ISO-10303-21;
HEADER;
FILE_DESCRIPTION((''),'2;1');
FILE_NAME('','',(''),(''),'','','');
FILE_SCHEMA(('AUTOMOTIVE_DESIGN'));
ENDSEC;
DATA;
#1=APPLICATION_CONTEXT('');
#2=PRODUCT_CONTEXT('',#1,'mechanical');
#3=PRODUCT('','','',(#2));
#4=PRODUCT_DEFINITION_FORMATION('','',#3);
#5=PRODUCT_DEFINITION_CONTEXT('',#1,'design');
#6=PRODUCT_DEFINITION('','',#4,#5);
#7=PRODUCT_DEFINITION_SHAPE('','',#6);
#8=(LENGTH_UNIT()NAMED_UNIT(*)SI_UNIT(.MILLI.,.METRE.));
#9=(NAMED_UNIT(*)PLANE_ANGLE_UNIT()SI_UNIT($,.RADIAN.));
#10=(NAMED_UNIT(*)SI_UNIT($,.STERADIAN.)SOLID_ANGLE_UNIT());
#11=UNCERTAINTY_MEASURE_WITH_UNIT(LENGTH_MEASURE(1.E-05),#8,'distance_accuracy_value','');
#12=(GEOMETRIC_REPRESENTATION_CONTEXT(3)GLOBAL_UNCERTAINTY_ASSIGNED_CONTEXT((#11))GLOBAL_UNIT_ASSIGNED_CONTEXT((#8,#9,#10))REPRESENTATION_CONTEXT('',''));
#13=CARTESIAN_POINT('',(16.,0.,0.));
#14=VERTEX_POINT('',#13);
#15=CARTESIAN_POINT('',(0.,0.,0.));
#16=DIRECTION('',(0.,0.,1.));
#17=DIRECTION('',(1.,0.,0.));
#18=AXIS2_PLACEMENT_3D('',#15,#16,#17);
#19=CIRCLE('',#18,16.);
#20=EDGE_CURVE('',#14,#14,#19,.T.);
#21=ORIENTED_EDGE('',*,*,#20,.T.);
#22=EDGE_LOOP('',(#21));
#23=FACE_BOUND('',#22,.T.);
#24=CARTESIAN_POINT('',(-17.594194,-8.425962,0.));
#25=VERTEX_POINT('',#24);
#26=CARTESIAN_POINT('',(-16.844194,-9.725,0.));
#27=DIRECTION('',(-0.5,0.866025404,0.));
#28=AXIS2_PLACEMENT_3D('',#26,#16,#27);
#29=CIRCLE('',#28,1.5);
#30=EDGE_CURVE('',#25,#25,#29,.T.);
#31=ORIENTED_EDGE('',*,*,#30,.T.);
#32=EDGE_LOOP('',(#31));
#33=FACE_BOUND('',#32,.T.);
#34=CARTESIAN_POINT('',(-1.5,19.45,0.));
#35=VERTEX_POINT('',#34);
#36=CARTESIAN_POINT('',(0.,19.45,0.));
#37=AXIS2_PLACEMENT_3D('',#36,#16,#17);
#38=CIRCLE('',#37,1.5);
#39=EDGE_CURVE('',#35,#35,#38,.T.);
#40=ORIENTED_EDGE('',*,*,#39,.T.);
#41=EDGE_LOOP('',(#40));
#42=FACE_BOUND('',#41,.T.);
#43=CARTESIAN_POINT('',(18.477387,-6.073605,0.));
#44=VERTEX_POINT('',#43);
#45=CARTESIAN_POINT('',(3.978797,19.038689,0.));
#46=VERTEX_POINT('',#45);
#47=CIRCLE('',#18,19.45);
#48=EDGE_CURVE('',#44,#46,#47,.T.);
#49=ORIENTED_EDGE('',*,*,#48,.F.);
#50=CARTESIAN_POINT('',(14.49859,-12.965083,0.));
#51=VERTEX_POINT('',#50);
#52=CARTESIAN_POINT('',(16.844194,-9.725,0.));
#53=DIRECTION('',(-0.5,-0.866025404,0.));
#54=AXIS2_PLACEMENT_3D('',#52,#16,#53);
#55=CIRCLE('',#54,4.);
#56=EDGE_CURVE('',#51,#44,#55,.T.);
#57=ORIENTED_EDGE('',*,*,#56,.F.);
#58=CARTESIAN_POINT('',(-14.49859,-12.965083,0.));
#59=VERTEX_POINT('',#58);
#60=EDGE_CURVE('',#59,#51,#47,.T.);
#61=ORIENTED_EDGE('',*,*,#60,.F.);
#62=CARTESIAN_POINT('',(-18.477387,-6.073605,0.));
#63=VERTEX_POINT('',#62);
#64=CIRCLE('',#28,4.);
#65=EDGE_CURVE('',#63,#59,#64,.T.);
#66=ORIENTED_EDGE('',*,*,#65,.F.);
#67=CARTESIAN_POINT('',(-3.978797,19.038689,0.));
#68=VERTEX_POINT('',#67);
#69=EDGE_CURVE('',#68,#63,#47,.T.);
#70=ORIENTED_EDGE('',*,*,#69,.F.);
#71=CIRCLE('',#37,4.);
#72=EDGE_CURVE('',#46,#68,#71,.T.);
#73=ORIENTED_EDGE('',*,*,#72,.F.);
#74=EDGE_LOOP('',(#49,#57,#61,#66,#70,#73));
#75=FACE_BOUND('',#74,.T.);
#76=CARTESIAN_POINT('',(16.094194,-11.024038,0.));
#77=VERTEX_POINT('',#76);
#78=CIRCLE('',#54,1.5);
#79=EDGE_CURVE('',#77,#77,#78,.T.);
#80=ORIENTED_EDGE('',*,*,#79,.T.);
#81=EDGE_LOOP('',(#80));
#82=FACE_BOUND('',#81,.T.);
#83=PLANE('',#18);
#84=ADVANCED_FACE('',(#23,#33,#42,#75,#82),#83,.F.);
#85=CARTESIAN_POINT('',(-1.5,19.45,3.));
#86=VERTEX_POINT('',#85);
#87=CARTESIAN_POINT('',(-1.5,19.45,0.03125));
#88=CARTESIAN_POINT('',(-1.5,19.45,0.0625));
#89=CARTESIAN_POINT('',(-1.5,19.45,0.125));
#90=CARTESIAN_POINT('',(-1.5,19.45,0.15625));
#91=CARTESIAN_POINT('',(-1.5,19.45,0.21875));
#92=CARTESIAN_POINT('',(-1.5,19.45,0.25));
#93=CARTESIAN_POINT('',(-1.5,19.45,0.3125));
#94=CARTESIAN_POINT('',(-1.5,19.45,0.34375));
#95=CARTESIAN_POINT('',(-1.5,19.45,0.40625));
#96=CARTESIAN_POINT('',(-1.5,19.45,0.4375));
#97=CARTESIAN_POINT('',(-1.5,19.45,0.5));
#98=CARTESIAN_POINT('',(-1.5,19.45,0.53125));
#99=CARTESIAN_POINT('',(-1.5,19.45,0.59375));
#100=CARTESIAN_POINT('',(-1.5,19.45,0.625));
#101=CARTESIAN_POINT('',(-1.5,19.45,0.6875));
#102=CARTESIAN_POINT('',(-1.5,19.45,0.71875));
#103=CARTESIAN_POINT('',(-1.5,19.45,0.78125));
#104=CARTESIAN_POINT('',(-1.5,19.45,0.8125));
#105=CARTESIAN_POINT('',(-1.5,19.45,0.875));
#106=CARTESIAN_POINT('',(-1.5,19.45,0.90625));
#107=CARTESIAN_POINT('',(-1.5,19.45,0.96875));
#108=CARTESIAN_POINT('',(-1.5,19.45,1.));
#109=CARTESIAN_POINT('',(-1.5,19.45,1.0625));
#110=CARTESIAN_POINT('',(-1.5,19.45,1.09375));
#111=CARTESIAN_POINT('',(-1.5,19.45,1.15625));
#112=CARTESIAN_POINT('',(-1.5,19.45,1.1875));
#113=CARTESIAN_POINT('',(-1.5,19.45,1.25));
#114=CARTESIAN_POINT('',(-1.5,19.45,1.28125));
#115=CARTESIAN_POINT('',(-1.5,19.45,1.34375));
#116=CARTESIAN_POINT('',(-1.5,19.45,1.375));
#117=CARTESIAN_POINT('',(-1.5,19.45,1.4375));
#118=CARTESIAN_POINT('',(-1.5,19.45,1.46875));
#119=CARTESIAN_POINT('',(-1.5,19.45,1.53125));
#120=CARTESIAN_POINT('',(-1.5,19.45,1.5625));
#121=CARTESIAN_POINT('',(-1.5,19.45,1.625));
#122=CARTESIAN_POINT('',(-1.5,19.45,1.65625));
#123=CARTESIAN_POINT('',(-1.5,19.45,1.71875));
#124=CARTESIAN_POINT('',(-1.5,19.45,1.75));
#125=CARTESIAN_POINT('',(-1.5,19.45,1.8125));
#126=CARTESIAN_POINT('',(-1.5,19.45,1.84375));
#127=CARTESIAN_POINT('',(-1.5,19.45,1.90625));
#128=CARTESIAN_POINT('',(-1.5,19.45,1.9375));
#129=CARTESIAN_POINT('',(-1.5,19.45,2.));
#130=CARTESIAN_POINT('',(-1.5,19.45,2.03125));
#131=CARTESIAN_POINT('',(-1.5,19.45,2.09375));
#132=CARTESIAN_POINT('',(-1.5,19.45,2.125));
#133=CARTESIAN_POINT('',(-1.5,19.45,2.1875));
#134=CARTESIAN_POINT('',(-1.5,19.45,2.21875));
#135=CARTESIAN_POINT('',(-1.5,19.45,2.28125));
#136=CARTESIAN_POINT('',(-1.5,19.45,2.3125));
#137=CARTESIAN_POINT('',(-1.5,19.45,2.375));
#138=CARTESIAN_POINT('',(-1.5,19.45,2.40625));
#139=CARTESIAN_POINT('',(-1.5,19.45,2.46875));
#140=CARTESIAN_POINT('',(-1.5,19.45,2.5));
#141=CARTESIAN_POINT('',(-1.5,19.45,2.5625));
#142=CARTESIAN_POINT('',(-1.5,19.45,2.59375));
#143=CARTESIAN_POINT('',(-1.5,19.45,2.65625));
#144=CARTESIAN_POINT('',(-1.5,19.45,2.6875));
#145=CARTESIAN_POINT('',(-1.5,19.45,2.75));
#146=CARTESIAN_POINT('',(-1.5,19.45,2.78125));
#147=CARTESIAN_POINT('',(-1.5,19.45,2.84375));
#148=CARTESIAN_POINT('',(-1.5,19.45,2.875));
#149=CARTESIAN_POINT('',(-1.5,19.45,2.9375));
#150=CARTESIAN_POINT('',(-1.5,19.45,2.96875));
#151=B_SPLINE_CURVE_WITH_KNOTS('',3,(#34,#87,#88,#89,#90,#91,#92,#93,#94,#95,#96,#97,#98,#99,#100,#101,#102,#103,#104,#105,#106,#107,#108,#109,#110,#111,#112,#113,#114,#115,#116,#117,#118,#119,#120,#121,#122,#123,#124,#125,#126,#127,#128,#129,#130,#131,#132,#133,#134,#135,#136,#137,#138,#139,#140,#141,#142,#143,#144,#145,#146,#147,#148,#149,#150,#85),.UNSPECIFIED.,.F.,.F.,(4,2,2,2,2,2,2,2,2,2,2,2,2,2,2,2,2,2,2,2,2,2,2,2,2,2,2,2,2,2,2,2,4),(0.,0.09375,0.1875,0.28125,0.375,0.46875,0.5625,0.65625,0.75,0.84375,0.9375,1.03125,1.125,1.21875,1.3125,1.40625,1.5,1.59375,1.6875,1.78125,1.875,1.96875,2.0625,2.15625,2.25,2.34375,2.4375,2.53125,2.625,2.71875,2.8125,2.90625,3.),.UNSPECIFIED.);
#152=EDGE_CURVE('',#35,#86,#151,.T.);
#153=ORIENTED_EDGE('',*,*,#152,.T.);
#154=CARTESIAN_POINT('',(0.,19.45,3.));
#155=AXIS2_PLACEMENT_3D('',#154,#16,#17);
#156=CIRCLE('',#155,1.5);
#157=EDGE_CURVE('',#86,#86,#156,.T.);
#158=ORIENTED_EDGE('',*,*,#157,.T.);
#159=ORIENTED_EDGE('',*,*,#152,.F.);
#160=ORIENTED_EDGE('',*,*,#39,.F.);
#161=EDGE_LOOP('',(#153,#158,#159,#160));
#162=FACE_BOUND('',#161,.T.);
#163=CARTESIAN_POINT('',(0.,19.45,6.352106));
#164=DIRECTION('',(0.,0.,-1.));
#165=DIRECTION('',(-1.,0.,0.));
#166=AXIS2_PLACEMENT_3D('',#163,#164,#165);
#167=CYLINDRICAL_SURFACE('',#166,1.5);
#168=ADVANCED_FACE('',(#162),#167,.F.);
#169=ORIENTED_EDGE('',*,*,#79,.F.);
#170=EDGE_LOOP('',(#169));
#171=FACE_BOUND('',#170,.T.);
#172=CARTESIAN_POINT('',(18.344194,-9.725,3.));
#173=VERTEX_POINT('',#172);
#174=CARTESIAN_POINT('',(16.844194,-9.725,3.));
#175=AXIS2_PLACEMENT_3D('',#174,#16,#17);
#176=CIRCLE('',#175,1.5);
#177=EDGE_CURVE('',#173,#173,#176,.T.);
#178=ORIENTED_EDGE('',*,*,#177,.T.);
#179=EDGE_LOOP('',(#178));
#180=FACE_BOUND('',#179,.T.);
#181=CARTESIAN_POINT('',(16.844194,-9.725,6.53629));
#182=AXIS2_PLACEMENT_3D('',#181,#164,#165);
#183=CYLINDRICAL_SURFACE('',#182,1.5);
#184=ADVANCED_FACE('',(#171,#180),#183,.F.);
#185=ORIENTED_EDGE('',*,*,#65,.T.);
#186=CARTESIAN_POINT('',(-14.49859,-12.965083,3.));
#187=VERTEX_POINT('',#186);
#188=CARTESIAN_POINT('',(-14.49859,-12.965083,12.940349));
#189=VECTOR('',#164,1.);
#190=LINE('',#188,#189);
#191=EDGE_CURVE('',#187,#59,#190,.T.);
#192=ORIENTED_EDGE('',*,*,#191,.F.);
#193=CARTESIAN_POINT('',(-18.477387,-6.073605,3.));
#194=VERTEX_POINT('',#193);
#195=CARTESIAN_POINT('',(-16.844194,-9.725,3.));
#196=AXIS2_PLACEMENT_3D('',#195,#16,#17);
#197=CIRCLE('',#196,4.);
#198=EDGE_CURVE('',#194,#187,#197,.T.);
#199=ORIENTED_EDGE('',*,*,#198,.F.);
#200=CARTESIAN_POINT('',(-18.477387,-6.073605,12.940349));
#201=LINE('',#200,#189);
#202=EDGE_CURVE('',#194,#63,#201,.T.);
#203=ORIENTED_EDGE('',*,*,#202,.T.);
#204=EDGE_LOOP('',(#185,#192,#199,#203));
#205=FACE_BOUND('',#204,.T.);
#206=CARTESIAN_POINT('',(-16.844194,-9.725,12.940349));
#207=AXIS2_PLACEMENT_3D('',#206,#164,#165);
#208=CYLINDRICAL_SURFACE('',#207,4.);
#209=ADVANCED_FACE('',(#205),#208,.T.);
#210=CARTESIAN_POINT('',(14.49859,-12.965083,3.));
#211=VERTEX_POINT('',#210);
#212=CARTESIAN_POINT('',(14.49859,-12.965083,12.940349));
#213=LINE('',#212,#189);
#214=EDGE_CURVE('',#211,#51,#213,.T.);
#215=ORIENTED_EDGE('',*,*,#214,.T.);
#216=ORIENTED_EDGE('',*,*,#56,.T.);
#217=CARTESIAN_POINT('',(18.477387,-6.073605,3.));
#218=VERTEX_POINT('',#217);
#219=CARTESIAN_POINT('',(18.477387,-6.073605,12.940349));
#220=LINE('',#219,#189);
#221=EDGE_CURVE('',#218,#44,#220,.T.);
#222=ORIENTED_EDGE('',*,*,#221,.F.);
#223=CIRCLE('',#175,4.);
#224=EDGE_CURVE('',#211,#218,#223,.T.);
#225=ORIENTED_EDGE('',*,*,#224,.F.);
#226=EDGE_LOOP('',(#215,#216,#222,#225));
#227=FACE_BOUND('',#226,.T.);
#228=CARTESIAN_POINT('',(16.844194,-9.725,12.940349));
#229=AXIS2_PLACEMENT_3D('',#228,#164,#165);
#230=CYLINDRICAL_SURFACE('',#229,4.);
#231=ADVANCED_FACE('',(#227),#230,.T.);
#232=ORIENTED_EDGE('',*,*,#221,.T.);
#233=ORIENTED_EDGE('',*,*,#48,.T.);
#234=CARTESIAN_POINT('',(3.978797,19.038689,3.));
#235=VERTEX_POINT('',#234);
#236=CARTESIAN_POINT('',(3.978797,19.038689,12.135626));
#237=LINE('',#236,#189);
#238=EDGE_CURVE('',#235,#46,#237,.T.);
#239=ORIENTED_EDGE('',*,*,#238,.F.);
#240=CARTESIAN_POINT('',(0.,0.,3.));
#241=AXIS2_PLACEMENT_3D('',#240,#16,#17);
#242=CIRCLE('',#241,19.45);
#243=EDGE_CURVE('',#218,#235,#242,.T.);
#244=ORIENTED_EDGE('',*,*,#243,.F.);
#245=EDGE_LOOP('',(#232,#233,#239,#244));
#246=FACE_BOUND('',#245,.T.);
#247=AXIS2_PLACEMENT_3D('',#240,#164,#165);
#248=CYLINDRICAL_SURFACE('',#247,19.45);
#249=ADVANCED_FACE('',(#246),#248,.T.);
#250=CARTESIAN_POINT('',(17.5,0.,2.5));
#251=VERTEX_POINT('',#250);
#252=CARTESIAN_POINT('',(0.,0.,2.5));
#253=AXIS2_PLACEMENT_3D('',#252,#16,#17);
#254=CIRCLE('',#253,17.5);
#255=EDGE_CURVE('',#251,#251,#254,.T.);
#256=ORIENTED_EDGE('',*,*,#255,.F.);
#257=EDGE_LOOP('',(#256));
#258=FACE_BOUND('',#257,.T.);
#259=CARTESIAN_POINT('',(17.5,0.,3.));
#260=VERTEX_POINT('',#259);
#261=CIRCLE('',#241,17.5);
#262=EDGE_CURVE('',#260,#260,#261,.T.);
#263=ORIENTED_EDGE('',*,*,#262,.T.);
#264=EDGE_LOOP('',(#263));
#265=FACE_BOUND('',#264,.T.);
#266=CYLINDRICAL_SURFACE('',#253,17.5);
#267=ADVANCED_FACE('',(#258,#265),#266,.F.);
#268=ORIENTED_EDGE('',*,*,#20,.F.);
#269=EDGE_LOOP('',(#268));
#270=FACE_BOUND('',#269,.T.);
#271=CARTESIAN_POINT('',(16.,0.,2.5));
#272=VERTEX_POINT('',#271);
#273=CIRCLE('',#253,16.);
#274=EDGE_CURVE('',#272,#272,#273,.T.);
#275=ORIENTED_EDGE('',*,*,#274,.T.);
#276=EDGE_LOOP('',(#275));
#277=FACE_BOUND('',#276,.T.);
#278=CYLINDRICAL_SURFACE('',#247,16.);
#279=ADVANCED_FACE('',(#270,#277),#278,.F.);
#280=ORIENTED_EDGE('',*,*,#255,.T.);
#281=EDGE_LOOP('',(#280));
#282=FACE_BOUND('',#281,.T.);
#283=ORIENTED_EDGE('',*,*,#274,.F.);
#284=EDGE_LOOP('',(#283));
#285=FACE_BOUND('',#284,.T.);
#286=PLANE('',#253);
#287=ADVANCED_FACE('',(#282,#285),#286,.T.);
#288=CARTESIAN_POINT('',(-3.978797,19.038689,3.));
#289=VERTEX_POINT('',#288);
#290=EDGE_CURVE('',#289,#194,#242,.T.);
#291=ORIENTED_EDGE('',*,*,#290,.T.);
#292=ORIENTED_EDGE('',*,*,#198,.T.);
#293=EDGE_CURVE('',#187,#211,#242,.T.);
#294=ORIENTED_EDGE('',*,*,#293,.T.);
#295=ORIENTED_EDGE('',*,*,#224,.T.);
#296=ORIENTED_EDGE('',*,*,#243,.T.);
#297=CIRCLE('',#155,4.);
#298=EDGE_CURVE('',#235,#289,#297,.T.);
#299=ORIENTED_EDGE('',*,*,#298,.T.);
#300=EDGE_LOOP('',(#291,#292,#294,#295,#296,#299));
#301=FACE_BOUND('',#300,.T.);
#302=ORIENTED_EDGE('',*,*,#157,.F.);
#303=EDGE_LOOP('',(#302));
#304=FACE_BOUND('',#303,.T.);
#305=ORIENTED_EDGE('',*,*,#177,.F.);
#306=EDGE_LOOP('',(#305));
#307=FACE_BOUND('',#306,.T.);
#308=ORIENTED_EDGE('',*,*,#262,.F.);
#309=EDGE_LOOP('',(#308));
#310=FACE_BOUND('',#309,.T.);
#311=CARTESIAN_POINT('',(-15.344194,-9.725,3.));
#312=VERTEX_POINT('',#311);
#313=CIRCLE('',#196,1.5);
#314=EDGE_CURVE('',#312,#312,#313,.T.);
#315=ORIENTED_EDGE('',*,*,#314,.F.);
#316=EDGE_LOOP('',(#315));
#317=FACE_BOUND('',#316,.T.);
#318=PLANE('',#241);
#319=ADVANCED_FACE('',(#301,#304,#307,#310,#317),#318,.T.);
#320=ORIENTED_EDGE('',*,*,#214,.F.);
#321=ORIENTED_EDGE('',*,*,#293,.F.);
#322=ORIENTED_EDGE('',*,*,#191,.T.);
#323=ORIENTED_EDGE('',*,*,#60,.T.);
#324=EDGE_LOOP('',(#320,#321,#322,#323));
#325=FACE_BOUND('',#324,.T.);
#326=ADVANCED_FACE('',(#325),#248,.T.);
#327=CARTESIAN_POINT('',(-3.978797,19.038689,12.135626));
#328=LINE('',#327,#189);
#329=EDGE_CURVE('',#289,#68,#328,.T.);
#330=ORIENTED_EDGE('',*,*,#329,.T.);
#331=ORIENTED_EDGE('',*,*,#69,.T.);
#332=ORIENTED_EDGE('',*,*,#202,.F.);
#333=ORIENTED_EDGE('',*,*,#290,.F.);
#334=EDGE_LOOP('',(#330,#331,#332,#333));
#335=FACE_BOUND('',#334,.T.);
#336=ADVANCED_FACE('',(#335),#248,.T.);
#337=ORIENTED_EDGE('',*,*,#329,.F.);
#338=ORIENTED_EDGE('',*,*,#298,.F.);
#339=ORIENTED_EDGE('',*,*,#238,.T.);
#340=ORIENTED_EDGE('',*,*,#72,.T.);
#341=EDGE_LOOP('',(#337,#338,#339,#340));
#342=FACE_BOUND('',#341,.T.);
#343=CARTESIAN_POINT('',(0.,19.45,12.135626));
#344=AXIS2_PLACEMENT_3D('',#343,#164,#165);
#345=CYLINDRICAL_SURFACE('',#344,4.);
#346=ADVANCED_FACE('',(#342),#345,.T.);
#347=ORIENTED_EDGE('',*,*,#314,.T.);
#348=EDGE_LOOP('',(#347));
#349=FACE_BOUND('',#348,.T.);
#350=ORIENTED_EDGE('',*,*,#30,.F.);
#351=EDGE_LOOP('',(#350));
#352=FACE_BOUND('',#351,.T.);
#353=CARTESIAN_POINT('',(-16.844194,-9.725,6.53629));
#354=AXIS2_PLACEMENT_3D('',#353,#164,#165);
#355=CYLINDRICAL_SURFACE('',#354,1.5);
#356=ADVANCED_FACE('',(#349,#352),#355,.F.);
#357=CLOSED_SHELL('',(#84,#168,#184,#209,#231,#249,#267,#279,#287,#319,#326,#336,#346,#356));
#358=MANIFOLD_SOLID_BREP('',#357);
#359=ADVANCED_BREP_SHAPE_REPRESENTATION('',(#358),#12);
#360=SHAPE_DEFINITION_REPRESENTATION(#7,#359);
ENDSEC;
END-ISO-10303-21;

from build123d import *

# Parameters (mm, degrees)
ESQUISSE1_R                                = 19.45
ESQUISSE1_R_2                              = 16
BOSS_EXTRU_1_DEPTH                         = 3
ENL_V_MAT_EXTRU_1_DEPTH                    = 3
BOSS_EXTRU_2_DEPTH                         = 3
R_P_TITION_CIRCULAIRE1_COUNT               = 2
R_P_TITION_CIRCULAIRE1_ANGLE               = 120
R_P_TITION_CIRCULAIRE1_THE_OTHER_WAY_COUNT = 2
R_P_TITION_CIRCULAIRE1_THE_OTHER_WAY_ANGLE = 120
ESQUISSE2_R                                = 17.5
ENL_V_MAT_EXTRU_2_DEPTH                    = 0.5


with BuildPart() as part:
    # Esquisse1 → Boss.-Extru.1 (new body)
    with BuildSketch(Plane.XY):
        Circle(ESQUISSE1_R)
        Circle(ESQUISSE1_R_2, mode=Mode.SUBTRACT)
    extrude(amount=BOSS_EXTRU_1_DEPTH)

    # Esquisse1<12> → Enlèv. mat.-Extru.1 (cut)
    with BuildSketch(Plane.XY):
        with BuildLine():
            ThreePointArc((-1.498884406, 19.392159383), (-1.040009393, 18.369083508), (0, 17.95))
            Line((0, 17.95), (0, 19.45))
            ThreePointArc((0, 19.45), (-0.75, 19.435534467), (-1.498884406, 19.392159383))
        make_face()
        with BuildLine():
            Line((0, 19.45), (0, 17.95))
            ThreePointArc((0, 17.95), (1.040009393, 18.369083508), (1.498884406, 19.392159383))
            ThreePointArc((1.498884406, 19.392159383), (0.75, 19.435534467), (0, 19.45))
        make_face()
    enl_v_mat_extru_1 = extrude(amount=ENL_V_MAT_EXTRU_1_DEPTH, mode=Mode.SUBTRACT)

    # Esquisse1<13> → Boss.-Extru.2 (add)
    with BuildSketch(Plane.XY):
        with BuildLine():
            ThreePointArc((-1.498884406, 19.392159383), (-0.028925687, 20.949721076), (1.5, 19.45))
            ThreePointArc((1.5, 19.45), (1.499721076, 19.421074313), (1.498884406, 19.392159383))
            ThreePointArc((1.498884406, 19.392159383), (2.744536924, 19.255389299), (3.978796705, 19.038688946))
            ThreePointArc((3.978796705, 19.038688946), (3.994695659, 19.244071394), (4, 19.45))
            ThreePointArc((4, 19.45), (-0.205928606, 23.444695659), (-3.978796705, 19.038688946))
            ThreePointArc((-3.978796705, 19.038688946), (-2.744536924, 19.255389299), (-1.498884406, 19.392159383))
        make_face()
    boss_extru_2 = extrude(amount=BOSS_EXTRU_2_DEPTH)

    # Répétition circulaire1: Enlèv. mat.-Extru.1, Boss.-Extru.2 ×2 about axis
    r_p_tition_circulaire1_axis = Axis((0, 0, 3), (0, 0, -1))
    add([enl_v_mat_extru_1.rotate(r_p_tition_circulaire1_axis, i * R_P_TITION_CIRCULAIRE1_ANGLE / (R_P_TITION_CIRCULAIRE1_COUNT - 1)) for i in range(1, R_P_TITION_CIRCULAIRE1_COUNT)], mode=Mode.SUBTRACT)
    add([boss_extru_2.rotate(r_p_tition_circulaire1_axis, i * R_P_TITION_CIRCULAIRE1_ANGLE / (R_P_TITION_CIRCULAIRE1_COUNT - 1)) for i in range(1, R_P_TITION_CIRCULAIRE1_COUNT)])

    # Répétition circulaire1 the other way: Enlèv. mat.-Extru.1, Boss.-Extru.2 ×2 about axis
    r_p_tition_circulaire1_the_other_way_axis = Axis((0, 0, 3), (0, 0, 1))
    add([enl_v_mat_extru_1.rotate(r_p_tition_circulaire1_the_other_way_axis, i * R_P_TITION_CIRCULAIRE1_THE_OTHER_WAY_ANGLE / (R_P_TITION_CIRCULAIRE1_THE_OTHER_WAY_COUNT - 1)) for i in range(1, R_P_TITION_CIRCULAIRE1_THE_OTHER_WAY_COUNT)], mode=Mode.SUBTRACT)
    add([boss_extru_2.rotate(r_p_tition_circulaire1_the_other_way_axis, i * R_P_TITION_CIRCULAIRE1_THE_OTHER_WAY_ANGLE / (R_P_TITION_CIRCULAIRE1_THE_OTHER_WAY_COUNT - 1)) for i in range(1, R_P_TITION_CIRCULAIRE1_THE_OTHER_WAY_COUNT)])

    # Esquisse2 → Enlèv. mat.-Extru.2 (cut)
    with BuildSketch(Plane.XY.offset(3)):
        Circle(ESQUISSE2_R)
    extrude(amount=-ENL_V_MAT_EXTRU_2_DEPTH, mode=Mode.SUBTRACT)


solid = part.part
